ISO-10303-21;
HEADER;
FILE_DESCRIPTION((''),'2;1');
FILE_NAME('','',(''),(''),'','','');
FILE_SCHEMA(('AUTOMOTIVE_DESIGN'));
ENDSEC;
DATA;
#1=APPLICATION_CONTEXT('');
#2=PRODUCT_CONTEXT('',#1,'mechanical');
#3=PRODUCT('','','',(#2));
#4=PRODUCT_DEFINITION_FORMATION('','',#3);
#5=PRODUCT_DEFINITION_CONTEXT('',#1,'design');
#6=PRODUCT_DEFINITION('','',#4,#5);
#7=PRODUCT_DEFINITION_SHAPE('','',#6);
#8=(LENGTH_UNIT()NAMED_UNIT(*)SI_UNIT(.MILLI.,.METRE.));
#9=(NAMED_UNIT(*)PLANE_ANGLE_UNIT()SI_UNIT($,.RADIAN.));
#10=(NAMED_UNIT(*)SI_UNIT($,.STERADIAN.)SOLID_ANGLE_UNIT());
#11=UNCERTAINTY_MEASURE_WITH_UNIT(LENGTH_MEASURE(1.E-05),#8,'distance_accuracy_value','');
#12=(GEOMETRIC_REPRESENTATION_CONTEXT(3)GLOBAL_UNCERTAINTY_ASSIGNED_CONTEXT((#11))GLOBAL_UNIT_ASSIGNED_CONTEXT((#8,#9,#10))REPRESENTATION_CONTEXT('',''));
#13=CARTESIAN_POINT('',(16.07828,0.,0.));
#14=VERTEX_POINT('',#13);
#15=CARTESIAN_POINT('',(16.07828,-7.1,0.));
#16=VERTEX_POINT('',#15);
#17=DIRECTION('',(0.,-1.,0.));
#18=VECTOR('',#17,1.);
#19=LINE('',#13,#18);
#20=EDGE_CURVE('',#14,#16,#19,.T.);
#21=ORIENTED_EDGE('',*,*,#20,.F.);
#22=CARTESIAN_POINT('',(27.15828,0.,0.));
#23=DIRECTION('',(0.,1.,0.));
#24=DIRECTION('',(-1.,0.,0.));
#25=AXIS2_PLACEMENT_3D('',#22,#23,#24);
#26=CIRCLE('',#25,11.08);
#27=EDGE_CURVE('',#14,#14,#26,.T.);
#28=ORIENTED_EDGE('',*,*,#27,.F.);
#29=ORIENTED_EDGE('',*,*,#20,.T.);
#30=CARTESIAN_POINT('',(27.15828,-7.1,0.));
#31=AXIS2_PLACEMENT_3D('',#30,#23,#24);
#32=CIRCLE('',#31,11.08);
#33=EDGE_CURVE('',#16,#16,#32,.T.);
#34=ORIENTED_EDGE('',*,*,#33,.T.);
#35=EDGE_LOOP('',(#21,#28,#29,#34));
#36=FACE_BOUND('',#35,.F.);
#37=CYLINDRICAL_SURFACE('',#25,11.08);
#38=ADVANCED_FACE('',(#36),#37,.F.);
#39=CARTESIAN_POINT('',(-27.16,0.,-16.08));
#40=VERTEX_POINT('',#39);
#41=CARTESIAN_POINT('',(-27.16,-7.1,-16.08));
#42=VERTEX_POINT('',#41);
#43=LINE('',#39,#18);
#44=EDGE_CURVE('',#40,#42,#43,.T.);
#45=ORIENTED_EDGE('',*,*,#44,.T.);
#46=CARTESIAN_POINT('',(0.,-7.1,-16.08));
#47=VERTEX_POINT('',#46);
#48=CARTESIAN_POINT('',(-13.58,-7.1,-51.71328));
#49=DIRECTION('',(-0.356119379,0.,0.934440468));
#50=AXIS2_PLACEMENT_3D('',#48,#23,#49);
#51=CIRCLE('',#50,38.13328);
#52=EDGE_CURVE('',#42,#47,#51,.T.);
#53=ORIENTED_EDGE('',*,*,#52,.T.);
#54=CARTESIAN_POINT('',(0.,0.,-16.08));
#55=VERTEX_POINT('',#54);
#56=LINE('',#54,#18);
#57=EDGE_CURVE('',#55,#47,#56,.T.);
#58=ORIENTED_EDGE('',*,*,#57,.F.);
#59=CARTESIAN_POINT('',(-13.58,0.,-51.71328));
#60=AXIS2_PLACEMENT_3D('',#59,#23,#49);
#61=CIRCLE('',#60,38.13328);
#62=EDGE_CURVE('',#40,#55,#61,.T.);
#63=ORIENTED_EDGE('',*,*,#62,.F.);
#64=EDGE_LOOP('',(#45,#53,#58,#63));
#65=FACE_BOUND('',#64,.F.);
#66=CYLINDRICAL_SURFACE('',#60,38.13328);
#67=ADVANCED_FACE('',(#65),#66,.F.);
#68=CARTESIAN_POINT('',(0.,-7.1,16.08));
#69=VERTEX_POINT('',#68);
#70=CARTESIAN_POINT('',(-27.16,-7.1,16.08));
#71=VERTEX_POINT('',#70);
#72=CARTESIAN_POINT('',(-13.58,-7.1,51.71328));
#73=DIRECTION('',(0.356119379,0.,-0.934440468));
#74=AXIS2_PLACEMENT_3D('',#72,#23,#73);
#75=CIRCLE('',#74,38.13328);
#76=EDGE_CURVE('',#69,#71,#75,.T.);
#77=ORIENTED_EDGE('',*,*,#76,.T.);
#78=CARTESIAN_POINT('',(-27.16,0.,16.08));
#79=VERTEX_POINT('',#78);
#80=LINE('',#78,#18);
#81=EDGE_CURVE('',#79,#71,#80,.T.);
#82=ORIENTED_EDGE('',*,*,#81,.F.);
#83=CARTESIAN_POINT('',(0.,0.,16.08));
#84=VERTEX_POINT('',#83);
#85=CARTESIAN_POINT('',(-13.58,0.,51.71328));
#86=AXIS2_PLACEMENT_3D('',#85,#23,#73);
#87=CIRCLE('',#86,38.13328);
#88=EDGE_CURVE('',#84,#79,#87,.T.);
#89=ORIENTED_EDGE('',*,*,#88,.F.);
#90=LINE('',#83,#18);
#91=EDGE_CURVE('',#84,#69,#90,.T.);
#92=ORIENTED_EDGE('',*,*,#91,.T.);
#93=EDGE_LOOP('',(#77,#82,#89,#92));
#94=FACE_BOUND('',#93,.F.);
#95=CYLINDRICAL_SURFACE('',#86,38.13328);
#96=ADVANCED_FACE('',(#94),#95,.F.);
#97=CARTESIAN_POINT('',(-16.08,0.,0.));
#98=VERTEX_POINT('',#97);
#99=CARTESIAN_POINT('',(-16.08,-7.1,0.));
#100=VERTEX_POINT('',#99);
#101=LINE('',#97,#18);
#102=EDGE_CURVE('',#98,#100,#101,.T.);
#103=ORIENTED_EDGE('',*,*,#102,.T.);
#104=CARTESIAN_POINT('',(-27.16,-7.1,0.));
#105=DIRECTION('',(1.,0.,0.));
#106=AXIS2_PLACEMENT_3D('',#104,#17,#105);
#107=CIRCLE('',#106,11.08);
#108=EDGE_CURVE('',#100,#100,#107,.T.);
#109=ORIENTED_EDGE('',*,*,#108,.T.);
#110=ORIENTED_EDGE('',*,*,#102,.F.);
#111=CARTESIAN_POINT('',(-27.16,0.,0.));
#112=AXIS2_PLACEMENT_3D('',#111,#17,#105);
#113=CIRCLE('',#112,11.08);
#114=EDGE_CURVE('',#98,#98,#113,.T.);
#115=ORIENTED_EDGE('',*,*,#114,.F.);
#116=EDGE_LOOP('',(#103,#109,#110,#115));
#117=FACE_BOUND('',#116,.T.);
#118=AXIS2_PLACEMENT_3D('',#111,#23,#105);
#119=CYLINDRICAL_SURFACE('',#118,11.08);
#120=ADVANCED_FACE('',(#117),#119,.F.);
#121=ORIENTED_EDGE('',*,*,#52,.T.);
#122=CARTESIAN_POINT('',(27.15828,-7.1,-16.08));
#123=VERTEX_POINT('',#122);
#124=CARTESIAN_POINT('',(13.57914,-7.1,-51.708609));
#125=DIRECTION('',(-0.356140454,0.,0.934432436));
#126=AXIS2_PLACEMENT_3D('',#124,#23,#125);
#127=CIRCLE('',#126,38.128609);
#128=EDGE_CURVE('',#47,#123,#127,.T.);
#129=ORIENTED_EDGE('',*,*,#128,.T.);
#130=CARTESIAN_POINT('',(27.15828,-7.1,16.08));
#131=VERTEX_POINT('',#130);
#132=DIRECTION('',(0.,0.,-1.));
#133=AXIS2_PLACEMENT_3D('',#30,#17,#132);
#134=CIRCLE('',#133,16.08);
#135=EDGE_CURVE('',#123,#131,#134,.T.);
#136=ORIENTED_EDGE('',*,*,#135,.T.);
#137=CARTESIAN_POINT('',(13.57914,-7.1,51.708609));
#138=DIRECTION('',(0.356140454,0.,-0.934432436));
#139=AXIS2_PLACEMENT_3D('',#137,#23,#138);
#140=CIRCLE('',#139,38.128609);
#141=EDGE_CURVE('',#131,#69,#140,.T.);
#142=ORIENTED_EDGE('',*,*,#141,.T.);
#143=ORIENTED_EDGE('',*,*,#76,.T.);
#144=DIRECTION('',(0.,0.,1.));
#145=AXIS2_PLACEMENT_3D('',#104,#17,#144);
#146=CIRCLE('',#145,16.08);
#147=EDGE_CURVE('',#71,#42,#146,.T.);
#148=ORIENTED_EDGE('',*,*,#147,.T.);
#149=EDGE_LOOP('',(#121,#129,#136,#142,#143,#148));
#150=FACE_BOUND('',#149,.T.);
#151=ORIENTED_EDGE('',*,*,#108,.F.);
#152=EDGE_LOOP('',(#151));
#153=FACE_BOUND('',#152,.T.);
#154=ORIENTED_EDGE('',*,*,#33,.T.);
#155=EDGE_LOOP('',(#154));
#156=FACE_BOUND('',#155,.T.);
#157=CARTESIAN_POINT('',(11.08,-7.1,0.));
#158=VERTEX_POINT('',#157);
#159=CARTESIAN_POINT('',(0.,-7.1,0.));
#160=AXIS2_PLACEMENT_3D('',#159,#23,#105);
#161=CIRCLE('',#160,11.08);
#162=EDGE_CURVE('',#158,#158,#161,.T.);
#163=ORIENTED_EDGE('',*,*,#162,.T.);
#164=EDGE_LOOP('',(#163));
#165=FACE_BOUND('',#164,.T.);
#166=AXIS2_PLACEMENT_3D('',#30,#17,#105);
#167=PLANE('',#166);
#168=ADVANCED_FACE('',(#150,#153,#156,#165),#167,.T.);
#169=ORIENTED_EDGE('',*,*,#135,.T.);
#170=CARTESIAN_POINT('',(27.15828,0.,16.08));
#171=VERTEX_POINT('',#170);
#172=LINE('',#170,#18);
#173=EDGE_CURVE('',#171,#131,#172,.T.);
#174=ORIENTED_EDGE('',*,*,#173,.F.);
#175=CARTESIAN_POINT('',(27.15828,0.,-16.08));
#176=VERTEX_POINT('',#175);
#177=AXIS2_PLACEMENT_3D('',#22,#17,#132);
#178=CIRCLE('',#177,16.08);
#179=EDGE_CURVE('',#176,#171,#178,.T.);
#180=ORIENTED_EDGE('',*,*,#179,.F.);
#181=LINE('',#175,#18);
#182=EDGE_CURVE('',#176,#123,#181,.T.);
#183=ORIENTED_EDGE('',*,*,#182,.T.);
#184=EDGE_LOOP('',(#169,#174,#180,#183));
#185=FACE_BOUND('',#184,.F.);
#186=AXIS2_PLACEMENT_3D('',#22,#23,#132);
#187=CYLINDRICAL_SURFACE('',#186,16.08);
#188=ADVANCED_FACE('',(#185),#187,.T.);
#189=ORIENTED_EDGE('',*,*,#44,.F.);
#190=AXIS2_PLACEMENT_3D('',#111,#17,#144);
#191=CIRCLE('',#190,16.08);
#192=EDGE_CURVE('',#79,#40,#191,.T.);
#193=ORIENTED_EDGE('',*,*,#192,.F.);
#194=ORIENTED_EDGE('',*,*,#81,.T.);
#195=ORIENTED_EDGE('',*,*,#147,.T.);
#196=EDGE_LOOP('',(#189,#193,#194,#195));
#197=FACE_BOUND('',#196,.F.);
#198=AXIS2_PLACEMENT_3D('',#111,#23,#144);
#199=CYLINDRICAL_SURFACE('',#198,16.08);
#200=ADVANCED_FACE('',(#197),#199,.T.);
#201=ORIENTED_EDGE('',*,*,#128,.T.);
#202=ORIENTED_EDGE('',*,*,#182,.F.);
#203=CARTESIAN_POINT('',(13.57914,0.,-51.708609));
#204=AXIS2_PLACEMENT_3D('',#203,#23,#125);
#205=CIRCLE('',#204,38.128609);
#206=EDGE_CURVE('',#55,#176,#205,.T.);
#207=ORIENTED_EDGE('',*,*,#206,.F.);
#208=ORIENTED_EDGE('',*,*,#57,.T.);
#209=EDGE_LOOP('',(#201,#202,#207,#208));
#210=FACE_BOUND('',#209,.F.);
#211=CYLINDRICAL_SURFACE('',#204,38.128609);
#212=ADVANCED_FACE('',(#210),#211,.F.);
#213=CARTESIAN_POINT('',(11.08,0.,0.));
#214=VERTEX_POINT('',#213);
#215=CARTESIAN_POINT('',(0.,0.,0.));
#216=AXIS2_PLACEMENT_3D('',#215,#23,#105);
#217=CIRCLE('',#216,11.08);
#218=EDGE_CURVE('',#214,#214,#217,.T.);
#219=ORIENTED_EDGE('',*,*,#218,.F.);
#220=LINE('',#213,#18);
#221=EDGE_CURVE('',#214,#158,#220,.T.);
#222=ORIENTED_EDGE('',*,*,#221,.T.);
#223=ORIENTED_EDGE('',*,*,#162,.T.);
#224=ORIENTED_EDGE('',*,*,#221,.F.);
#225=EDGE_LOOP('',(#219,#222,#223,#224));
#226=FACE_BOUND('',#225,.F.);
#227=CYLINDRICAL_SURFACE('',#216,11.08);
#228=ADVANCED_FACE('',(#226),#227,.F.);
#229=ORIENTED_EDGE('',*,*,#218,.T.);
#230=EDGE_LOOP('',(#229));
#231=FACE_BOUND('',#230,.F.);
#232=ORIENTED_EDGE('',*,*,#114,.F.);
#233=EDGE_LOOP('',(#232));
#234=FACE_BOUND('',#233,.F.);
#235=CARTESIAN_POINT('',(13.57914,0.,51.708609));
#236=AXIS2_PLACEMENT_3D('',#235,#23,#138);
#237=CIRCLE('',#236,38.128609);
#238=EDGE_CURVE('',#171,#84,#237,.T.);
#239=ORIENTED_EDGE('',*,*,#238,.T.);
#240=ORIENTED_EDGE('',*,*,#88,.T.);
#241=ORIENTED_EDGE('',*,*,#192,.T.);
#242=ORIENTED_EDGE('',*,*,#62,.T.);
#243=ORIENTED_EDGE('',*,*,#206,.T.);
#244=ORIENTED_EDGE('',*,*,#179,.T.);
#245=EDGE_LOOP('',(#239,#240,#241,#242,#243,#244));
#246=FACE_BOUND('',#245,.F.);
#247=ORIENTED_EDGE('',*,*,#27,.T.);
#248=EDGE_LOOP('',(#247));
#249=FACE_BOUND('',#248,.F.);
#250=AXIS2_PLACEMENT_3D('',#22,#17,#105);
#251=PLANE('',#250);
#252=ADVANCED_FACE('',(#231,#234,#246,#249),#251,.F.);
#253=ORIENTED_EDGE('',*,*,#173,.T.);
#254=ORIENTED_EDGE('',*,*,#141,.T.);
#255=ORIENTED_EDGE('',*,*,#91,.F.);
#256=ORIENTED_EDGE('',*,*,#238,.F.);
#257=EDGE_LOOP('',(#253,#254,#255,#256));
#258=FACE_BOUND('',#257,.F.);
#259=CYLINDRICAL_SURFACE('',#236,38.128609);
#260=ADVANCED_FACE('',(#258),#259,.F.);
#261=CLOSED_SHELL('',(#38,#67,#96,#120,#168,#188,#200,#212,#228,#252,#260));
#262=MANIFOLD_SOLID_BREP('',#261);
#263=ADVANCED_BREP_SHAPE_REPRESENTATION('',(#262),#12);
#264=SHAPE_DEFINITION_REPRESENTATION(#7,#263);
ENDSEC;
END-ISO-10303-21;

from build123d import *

# Parameters (mm, degrees)
F0_R     = 11.08
F1_DEPTH = 7.1


with BuildPart() as f1:
    # F0 (on Front) → F1 (new body)
    with BuildSketch(Plane.XZ):
        with BuildLine():
            ThreePointArc((38.23828, 0), (27.15828, 11.08), (16.07828, 0))
            ThreePointArc((16.07828, 0), (27.15828, -11.08), (38.23828, 0))
        make_face()
        with BuildLine():
            ThreePointArc((0, 16.08), (-13.58, 13.58), (-27.16, 16.08))
            ThreePointArc((-27.16, 16.08), (-43.24, 0), (-27.16, -16.08))
            ThreePointArc((-27.16, -16.08), (-13.58, -13.58), (0, -16.08))
            ThreePointArc((0, -16.08), (13.57914, -13.58), (27.15828, -16.08))
            ThreePointArc((27.15828, -16.08), (43.23828, 0), (27.15828, 16.08))
            ThreePointArc((27.15828, 16.08), (13.57914, 13.58), (0, 16.08))
        make_face()
        with Locations((-27.16, 0)):
            Circle(F0_R, mode=Mode.SUBTRACT)
        with BuildLine():
            ThreePointArc((-11.08, 0), (0, 11.08), (11.08, 0))
            ThreePointArc((11.08, 0), (0, -11.08), (-11.08, 0))
        make_face(mode=Mode.SUBTRACT)
        with BuildLine():
            ThreePointArc((38.23828, 0), (27.15828, -11.08), (16.07828, 0))
            ThreePointArc((16.07828, 0), (27.15828, 11.08), (38.23828, 0))
        make_face(mode=Mode.SUBTRACT)
    extrude(amount=F1_DEPTH)


solid = f1.part
